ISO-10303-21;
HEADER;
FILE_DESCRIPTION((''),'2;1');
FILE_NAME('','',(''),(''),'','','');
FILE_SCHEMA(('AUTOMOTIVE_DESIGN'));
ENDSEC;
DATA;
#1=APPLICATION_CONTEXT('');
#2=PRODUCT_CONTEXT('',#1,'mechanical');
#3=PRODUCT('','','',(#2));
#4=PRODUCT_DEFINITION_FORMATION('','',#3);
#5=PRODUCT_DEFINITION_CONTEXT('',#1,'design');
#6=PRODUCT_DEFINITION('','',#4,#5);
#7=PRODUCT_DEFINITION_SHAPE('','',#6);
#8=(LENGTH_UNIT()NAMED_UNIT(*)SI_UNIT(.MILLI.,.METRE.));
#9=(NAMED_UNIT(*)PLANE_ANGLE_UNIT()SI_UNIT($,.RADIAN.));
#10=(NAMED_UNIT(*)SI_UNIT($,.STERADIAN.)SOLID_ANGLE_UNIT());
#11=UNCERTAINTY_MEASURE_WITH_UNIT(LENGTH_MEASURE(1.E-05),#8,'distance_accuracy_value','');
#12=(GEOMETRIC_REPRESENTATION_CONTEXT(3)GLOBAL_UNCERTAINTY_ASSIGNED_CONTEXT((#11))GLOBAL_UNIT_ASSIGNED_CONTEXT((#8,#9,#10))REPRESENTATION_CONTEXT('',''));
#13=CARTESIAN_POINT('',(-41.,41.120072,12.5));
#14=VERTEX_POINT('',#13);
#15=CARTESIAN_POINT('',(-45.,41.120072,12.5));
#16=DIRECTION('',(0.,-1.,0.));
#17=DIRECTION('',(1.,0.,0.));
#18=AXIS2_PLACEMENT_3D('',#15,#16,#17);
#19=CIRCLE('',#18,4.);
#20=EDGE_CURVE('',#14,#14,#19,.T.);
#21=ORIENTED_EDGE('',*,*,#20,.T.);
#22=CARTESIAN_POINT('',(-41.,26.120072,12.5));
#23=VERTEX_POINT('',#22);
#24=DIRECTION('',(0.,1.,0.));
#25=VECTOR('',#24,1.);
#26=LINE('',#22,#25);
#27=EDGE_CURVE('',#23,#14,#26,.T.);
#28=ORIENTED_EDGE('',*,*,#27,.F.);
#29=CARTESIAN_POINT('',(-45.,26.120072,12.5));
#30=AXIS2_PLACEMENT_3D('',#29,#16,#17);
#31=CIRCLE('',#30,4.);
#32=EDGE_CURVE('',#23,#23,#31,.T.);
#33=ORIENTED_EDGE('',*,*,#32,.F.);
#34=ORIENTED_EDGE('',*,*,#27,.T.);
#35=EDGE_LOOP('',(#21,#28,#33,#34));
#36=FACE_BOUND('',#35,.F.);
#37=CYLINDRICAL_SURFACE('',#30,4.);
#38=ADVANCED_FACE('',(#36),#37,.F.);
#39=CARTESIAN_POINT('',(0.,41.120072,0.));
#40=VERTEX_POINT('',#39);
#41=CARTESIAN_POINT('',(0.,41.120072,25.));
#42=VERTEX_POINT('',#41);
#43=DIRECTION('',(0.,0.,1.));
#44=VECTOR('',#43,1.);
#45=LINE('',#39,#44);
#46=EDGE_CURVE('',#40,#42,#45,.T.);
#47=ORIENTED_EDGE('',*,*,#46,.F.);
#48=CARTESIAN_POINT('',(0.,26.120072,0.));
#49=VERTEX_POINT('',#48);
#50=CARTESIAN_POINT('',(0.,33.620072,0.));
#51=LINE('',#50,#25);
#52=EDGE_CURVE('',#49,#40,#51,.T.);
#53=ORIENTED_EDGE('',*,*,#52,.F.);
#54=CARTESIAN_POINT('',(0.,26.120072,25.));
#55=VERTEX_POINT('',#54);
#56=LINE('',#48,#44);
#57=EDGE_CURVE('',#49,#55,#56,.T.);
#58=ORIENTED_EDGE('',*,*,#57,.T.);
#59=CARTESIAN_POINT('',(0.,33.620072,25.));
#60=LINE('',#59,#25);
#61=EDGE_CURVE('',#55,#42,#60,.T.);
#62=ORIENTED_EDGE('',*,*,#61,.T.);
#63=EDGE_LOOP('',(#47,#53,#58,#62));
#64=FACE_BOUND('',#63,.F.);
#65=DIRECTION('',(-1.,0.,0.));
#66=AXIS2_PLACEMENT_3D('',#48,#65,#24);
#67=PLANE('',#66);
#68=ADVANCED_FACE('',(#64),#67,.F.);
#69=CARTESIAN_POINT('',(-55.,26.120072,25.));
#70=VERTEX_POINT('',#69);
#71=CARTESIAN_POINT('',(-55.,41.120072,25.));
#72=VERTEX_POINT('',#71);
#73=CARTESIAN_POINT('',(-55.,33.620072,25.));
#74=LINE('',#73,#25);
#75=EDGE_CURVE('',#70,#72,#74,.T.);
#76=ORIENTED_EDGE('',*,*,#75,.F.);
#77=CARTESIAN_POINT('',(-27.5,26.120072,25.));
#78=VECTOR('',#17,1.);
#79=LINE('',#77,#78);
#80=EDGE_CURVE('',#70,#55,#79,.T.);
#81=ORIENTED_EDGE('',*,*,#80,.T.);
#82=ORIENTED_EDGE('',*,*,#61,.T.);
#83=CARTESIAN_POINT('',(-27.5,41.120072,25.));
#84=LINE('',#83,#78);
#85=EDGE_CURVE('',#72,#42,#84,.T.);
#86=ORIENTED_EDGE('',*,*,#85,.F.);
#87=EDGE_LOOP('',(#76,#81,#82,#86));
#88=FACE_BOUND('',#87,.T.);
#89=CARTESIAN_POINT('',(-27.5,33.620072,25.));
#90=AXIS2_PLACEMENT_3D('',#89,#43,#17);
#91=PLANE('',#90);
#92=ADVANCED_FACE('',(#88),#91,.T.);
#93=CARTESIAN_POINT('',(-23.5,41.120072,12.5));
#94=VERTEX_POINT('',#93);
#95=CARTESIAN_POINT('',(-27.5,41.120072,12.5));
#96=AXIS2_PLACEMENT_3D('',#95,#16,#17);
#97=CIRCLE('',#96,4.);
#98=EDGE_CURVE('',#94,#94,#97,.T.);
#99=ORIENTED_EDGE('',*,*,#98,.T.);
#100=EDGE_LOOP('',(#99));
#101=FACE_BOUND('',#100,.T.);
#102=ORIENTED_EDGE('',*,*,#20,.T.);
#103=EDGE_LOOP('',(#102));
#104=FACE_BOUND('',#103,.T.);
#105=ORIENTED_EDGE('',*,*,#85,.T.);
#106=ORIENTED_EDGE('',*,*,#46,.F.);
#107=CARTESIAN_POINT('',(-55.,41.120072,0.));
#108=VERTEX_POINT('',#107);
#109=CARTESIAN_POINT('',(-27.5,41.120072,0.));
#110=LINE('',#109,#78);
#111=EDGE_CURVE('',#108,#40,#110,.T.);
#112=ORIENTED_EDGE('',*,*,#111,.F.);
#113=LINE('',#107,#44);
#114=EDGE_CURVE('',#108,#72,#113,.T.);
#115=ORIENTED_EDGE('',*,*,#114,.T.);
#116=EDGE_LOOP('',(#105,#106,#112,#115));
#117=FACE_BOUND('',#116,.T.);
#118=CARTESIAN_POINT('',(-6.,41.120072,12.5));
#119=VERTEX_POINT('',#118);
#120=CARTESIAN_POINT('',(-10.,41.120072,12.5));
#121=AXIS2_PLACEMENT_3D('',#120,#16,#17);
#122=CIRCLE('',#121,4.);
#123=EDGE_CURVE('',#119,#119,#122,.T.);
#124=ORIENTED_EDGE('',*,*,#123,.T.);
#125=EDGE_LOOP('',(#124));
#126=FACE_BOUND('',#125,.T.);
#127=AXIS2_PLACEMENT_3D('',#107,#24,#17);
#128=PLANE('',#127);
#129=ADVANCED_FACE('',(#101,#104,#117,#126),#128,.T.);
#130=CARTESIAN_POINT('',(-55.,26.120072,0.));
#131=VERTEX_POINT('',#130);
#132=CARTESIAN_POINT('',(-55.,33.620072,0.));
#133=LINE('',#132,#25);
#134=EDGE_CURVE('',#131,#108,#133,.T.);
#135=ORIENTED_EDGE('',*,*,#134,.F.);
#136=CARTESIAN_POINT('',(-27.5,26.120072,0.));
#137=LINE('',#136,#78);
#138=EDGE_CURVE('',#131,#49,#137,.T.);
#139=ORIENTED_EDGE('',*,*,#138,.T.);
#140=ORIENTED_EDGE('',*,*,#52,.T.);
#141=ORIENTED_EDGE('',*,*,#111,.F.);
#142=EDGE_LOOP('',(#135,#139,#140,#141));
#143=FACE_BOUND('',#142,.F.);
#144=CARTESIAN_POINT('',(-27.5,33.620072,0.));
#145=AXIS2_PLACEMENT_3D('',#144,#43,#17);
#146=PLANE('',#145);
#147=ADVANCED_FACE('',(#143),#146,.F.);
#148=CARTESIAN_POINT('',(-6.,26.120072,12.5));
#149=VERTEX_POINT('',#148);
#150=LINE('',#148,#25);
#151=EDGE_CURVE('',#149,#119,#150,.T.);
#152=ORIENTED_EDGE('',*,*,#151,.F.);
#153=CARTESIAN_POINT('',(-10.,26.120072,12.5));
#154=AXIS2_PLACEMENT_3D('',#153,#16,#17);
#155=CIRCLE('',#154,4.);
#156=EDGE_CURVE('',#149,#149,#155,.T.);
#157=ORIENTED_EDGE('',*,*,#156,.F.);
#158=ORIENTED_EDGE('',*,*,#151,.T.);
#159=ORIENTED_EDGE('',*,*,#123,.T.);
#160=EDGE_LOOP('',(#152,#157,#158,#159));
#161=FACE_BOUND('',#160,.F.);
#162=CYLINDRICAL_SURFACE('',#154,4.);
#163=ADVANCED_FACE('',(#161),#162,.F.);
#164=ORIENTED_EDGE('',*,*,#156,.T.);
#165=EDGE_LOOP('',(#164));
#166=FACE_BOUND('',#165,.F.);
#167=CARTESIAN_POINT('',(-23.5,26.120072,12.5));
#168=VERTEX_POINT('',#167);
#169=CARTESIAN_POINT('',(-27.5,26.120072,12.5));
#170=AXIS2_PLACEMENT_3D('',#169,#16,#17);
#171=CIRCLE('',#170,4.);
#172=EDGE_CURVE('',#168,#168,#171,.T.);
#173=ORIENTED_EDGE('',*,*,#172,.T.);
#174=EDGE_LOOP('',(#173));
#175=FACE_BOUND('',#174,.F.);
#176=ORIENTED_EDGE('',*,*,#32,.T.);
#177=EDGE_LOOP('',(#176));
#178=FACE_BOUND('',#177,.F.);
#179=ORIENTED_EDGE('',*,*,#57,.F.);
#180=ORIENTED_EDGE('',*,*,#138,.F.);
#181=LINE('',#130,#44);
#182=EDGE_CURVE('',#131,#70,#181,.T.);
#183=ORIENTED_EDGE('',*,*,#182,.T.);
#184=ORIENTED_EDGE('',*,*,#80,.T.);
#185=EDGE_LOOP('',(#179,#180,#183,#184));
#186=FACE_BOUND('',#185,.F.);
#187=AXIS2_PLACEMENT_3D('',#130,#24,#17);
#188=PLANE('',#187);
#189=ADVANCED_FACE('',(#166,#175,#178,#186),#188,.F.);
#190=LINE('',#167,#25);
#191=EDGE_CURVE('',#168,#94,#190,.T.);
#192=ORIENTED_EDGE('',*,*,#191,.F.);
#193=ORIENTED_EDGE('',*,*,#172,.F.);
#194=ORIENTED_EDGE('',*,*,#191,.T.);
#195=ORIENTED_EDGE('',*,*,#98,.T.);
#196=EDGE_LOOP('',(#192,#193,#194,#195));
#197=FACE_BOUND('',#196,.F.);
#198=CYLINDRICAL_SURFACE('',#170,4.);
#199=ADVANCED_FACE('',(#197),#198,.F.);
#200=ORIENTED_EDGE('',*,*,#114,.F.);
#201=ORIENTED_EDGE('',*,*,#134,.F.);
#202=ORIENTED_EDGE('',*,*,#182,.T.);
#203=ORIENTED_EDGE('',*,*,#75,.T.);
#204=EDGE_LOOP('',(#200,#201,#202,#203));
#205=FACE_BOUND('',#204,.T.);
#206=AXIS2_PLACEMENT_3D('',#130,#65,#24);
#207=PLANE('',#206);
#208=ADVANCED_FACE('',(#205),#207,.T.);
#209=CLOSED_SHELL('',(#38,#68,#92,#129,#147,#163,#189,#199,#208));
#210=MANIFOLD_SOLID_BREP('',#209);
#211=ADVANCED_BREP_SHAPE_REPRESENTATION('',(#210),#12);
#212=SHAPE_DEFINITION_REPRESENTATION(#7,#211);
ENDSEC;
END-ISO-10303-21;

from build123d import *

# Parameters (mm, degrees)
F0_W     = 55
F0_H     = 15
F1_DEPTH = 25
F2_R     = 4
F3_DEPTH = 25


with BuildPart() as f1:
    # F0 (on Top) → F1 (new body)
    with BuildSketch(Plane.XY):
        with Locations((-27.5, 33.620072)):
            Rectangle(F0_W, F0_H)
    extrude(amount=F1_DEPTH)

    # F2 (on face) → F3 (cut)
    with BuildSketch(Plane.XZ.offset(-26.120072)):
        with Locations((-10, 12.5)):
            Circle(F2_R)
        with Locations((-45, 12.5)):
            Circle(F2_R)
        with Locations((-27.5, 12.5)):
            Circle(F2_R)
    extrude(amount=-F3_DEPTH, mode=Mode.SUBTRACT)


solid = f1.part
